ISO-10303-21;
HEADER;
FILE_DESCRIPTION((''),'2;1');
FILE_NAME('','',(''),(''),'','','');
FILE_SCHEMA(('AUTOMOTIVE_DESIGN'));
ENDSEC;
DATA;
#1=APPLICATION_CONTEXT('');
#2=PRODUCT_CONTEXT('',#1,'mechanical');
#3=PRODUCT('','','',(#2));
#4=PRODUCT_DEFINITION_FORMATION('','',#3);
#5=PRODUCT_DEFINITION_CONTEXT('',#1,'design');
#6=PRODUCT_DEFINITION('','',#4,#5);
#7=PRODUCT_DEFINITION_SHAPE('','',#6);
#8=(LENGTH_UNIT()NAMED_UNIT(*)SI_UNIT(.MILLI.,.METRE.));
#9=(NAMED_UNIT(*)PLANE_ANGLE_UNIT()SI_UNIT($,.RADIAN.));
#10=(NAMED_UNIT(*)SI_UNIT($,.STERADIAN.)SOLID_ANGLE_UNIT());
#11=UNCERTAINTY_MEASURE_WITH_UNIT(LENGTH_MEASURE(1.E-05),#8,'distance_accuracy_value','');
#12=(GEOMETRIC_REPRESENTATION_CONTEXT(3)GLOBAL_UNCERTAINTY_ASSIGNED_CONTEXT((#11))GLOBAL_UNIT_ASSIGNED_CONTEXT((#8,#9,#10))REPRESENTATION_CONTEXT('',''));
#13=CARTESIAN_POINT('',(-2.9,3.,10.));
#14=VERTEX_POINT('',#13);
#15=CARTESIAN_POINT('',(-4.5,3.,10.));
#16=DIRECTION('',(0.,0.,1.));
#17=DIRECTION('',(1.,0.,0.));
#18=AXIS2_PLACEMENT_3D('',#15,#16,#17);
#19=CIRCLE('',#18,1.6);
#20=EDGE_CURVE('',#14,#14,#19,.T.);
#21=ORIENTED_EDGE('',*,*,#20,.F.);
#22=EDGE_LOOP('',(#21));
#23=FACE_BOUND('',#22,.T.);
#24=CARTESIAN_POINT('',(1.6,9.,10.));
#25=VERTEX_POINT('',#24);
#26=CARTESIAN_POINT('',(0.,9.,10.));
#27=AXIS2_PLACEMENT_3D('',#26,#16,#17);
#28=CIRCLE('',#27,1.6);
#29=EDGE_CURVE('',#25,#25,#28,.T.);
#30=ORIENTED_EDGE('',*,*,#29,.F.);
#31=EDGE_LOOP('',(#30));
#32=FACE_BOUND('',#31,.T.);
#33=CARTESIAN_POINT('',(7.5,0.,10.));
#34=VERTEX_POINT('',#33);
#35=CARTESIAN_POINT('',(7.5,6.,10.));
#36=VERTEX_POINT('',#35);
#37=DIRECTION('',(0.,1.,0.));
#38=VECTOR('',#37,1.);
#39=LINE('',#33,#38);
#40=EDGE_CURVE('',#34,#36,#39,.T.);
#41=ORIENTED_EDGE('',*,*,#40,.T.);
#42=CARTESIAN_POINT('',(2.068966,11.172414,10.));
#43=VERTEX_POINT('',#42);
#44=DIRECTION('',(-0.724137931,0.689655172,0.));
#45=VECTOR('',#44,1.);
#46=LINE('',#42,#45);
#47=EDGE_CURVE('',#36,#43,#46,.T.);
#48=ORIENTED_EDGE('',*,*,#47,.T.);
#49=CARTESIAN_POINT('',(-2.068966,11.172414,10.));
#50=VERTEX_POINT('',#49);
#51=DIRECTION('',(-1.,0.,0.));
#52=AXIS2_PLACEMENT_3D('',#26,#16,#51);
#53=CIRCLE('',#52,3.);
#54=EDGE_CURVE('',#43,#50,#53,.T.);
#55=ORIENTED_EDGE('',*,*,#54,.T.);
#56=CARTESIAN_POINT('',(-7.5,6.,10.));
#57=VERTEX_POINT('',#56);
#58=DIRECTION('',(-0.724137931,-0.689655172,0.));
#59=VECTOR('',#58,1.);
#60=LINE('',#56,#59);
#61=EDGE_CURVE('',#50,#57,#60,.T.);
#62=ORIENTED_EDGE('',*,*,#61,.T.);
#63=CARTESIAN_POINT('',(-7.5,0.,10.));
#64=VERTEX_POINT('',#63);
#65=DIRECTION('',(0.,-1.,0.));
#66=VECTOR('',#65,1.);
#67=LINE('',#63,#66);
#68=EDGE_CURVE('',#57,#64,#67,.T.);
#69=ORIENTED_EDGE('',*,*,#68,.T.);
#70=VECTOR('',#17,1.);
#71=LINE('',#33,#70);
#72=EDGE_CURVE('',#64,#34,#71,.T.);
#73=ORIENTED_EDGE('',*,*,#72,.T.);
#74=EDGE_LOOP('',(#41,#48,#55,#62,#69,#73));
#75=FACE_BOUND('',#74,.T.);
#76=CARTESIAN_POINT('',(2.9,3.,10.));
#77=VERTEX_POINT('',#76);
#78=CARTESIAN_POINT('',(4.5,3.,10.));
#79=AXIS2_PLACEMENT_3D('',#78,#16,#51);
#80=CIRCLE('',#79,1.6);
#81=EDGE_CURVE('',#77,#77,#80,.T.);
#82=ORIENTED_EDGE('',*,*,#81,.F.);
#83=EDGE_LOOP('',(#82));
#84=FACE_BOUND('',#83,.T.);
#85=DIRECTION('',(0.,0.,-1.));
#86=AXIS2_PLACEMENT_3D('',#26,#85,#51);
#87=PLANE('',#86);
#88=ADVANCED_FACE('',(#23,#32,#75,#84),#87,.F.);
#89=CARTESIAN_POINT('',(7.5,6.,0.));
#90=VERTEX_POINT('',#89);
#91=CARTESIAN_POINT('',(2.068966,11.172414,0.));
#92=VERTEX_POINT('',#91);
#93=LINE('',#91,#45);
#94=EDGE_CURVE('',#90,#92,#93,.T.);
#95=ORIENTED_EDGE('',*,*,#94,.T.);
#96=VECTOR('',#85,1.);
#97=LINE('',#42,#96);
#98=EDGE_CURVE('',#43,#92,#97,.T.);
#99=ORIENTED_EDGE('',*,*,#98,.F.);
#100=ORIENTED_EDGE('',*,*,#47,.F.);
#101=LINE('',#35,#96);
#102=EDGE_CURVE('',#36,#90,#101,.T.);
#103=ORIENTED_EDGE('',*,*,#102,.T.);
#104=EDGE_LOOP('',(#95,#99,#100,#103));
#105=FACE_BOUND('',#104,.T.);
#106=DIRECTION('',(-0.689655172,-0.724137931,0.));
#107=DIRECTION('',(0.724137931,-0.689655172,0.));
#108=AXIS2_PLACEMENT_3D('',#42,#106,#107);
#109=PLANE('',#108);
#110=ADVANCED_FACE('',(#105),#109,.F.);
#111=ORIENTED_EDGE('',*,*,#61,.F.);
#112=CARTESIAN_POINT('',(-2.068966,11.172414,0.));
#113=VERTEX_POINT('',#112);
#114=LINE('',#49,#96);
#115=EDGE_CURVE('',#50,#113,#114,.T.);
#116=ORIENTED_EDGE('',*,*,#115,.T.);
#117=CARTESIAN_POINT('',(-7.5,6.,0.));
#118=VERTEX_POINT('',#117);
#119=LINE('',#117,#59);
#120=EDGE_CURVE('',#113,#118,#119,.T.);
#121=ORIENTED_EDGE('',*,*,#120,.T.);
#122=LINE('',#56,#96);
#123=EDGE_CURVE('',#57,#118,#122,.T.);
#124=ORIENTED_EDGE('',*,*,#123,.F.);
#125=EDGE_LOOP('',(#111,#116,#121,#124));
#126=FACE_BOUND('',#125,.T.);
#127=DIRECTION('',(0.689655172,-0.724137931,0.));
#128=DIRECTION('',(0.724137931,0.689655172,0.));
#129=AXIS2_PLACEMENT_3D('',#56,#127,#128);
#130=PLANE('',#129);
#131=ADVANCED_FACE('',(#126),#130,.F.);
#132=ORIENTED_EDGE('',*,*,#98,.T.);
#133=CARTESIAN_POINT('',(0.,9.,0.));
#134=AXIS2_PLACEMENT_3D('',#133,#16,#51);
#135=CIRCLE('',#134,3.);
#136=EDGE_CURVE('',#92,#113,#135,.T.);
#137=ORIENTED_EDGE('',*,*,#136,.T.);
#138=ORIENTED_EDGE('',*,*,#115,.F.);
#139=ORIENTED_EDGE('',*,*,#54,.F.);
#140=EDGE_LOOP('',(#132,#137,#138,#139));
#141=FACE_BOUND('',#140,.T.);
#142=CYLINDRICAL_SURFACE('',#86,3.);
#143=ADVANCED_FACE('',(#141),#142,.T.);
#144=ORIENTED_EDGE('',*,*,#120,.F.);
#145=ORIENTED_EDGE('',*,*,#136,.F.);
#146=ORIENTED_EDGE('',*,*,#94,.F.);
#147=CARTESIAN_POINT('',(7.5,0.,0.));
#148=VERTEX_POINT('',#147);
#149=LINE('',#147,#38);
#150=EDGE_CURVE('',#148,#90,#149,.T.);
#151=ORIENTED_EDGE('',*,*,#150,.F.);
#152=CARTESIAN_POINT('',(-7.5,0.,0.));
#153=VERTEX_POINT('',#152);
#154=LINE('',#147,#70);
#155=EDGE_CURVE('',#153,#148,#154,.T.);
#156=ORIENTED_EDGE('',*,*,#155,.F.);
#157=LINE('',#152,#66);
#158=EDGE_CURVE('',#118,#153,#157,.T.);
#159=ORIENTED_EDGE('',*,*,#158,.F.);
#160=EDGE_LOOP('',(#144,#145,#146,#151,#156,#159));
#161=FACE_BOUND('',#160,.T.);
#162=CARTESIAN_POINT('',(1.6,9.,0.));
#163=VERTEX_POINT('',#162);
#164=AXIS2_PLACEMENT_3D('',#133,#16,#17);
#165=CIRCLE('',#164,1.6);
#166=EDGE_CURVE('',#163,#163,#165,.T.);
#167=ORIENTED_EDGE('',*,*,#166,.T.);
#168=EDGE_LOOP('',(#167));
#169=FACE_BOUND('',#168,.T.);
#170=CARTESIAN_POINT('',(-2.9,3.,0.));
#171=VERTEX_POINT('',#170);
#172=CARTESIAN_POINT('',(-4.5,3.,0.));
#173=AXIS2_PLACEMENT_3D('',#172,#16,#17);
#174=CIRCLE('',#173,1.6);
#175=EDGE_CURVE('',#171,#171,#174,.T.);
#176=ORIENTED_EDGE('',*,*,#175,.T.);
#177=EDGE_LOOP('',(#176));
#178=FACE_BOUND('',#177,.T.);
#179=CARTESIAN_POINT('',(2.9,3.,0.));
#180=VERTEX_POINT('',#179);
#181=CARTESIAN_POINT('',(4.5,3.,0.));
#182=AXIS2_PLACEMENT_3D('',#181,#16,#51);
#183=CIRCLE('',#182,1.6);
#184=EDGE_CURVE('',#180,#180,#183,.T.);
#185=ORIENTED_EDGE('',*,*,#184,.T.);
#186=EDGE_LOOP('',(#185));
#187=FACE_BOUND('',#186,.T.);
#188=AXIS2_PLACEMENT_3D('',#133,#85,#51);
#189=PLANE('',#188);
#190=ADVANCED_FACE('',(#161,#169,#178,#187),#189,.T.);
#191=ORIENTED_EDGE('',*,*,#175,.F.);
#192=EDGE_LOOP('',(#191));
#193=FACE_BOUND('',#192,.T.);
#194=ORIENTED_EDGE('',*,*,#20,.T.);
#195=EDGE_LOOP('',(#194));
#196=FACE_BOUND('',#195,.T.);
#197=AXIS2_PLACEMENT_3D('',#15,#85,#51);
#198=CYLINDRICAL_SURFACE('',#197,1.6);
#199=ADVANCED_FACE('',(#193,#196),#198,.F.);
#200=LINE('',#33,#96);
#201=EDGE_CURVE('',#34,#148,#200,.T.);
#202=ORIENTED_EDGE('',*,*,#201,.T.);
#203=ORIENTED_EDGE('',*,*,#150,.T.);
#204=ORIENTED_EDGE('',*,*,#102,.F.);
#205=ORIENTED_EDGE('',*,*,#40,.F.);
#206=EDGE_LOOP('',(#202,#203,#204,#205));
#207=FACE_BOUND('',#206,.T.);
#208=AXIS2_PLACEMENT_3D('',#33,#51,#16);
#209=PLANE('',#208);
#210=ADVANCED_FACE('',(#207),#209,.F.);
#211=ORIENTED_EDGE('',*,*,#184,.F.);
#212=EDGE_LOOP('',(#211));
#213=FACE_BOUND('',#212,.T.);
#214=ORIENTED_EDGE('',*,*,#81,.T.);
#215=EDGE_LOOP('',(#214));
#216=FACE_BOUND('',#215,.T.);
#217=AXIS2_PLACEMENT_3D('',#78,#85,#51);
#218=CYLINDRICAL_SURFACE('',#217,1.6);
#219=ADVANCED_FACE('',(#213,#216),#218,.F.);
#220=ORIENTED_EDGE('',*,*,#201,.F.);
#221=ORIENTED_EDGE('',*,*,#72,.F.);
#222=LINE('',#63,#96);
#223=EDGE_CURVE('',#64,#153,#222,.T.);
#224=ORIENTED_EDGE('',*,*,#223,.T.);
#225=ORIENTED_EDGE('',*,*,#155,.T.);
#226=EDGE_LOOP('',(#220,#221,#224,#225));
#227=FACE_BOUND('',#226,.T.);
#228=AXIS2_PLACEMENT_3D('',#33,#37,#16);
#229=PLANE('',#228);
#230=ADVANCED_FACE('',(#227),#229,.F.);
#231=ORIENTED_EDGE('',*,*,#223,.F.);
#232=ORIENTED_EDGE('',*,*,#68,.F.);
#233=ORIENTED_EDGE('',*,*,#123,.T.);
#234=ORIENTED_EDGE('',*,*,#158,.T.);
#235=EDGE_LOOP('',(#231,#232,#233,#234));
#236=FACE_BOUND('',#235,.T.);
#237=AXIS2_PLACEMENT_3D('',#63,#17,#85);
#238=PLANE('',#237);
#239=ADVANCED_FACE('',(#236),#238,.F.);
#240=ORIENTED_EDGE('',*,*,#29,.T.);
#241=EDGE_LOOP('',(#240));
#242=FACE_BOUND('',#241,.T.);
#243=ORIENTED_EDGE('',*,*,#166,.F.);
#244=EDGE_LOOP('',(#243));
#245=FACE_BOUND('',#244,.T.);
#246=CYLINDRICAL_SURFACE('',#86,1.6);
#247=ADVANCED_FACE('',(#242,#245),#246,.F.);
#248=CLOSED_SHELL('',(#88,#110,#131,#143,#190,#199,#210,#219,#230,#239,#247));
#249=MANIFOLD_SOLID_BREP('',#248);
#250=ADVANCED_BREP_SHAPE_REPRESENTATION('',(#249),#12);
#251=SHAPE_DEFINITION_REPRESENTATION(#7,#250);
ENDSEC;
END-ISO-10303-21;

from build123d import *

# Parameters (mm, degrees)
SKETCH1_R           = 1.6
BOSS_EXTRUDE1_DEPTH = 10


with BuildPart() as part:
    # Sketch1 → Boss-Extrude1 (new body)
    with BuildSketch(Plane.XY):
        with BuildLine():
            Line((-7.5, 6), (-2.068965517, 11.172413793))
            ThreePointArc((-2.068965517, 11.172413793), (0, 12), (2.068965517, 11.172413793))
            Line((2.068965517, 11.172413793), (7.5, 6))
            Line((7.5, 6), (7.5, 0))
            Line((7.5, 0), (-7.5, 0))
            Line((-7.5, 0), (-7.5, 6))
        make_face()
        with Locations((0, 9)):
            Circle(SKETCH1_R, mode=Mode.SUBTRACT)
        with Locations((-4.5, 3)):
            Circle(SKETCH1_R, mode=Mode.SUBTRACT)
        with Locations(Location((4.5, 3, 0), (0, 0, 180))):
            Circle(SKETCH1_R, mode=Mode.SUBTRACT)
    extrude(amount=BOSS_EXTRUDE1_DEPTH)


solid = part.part
